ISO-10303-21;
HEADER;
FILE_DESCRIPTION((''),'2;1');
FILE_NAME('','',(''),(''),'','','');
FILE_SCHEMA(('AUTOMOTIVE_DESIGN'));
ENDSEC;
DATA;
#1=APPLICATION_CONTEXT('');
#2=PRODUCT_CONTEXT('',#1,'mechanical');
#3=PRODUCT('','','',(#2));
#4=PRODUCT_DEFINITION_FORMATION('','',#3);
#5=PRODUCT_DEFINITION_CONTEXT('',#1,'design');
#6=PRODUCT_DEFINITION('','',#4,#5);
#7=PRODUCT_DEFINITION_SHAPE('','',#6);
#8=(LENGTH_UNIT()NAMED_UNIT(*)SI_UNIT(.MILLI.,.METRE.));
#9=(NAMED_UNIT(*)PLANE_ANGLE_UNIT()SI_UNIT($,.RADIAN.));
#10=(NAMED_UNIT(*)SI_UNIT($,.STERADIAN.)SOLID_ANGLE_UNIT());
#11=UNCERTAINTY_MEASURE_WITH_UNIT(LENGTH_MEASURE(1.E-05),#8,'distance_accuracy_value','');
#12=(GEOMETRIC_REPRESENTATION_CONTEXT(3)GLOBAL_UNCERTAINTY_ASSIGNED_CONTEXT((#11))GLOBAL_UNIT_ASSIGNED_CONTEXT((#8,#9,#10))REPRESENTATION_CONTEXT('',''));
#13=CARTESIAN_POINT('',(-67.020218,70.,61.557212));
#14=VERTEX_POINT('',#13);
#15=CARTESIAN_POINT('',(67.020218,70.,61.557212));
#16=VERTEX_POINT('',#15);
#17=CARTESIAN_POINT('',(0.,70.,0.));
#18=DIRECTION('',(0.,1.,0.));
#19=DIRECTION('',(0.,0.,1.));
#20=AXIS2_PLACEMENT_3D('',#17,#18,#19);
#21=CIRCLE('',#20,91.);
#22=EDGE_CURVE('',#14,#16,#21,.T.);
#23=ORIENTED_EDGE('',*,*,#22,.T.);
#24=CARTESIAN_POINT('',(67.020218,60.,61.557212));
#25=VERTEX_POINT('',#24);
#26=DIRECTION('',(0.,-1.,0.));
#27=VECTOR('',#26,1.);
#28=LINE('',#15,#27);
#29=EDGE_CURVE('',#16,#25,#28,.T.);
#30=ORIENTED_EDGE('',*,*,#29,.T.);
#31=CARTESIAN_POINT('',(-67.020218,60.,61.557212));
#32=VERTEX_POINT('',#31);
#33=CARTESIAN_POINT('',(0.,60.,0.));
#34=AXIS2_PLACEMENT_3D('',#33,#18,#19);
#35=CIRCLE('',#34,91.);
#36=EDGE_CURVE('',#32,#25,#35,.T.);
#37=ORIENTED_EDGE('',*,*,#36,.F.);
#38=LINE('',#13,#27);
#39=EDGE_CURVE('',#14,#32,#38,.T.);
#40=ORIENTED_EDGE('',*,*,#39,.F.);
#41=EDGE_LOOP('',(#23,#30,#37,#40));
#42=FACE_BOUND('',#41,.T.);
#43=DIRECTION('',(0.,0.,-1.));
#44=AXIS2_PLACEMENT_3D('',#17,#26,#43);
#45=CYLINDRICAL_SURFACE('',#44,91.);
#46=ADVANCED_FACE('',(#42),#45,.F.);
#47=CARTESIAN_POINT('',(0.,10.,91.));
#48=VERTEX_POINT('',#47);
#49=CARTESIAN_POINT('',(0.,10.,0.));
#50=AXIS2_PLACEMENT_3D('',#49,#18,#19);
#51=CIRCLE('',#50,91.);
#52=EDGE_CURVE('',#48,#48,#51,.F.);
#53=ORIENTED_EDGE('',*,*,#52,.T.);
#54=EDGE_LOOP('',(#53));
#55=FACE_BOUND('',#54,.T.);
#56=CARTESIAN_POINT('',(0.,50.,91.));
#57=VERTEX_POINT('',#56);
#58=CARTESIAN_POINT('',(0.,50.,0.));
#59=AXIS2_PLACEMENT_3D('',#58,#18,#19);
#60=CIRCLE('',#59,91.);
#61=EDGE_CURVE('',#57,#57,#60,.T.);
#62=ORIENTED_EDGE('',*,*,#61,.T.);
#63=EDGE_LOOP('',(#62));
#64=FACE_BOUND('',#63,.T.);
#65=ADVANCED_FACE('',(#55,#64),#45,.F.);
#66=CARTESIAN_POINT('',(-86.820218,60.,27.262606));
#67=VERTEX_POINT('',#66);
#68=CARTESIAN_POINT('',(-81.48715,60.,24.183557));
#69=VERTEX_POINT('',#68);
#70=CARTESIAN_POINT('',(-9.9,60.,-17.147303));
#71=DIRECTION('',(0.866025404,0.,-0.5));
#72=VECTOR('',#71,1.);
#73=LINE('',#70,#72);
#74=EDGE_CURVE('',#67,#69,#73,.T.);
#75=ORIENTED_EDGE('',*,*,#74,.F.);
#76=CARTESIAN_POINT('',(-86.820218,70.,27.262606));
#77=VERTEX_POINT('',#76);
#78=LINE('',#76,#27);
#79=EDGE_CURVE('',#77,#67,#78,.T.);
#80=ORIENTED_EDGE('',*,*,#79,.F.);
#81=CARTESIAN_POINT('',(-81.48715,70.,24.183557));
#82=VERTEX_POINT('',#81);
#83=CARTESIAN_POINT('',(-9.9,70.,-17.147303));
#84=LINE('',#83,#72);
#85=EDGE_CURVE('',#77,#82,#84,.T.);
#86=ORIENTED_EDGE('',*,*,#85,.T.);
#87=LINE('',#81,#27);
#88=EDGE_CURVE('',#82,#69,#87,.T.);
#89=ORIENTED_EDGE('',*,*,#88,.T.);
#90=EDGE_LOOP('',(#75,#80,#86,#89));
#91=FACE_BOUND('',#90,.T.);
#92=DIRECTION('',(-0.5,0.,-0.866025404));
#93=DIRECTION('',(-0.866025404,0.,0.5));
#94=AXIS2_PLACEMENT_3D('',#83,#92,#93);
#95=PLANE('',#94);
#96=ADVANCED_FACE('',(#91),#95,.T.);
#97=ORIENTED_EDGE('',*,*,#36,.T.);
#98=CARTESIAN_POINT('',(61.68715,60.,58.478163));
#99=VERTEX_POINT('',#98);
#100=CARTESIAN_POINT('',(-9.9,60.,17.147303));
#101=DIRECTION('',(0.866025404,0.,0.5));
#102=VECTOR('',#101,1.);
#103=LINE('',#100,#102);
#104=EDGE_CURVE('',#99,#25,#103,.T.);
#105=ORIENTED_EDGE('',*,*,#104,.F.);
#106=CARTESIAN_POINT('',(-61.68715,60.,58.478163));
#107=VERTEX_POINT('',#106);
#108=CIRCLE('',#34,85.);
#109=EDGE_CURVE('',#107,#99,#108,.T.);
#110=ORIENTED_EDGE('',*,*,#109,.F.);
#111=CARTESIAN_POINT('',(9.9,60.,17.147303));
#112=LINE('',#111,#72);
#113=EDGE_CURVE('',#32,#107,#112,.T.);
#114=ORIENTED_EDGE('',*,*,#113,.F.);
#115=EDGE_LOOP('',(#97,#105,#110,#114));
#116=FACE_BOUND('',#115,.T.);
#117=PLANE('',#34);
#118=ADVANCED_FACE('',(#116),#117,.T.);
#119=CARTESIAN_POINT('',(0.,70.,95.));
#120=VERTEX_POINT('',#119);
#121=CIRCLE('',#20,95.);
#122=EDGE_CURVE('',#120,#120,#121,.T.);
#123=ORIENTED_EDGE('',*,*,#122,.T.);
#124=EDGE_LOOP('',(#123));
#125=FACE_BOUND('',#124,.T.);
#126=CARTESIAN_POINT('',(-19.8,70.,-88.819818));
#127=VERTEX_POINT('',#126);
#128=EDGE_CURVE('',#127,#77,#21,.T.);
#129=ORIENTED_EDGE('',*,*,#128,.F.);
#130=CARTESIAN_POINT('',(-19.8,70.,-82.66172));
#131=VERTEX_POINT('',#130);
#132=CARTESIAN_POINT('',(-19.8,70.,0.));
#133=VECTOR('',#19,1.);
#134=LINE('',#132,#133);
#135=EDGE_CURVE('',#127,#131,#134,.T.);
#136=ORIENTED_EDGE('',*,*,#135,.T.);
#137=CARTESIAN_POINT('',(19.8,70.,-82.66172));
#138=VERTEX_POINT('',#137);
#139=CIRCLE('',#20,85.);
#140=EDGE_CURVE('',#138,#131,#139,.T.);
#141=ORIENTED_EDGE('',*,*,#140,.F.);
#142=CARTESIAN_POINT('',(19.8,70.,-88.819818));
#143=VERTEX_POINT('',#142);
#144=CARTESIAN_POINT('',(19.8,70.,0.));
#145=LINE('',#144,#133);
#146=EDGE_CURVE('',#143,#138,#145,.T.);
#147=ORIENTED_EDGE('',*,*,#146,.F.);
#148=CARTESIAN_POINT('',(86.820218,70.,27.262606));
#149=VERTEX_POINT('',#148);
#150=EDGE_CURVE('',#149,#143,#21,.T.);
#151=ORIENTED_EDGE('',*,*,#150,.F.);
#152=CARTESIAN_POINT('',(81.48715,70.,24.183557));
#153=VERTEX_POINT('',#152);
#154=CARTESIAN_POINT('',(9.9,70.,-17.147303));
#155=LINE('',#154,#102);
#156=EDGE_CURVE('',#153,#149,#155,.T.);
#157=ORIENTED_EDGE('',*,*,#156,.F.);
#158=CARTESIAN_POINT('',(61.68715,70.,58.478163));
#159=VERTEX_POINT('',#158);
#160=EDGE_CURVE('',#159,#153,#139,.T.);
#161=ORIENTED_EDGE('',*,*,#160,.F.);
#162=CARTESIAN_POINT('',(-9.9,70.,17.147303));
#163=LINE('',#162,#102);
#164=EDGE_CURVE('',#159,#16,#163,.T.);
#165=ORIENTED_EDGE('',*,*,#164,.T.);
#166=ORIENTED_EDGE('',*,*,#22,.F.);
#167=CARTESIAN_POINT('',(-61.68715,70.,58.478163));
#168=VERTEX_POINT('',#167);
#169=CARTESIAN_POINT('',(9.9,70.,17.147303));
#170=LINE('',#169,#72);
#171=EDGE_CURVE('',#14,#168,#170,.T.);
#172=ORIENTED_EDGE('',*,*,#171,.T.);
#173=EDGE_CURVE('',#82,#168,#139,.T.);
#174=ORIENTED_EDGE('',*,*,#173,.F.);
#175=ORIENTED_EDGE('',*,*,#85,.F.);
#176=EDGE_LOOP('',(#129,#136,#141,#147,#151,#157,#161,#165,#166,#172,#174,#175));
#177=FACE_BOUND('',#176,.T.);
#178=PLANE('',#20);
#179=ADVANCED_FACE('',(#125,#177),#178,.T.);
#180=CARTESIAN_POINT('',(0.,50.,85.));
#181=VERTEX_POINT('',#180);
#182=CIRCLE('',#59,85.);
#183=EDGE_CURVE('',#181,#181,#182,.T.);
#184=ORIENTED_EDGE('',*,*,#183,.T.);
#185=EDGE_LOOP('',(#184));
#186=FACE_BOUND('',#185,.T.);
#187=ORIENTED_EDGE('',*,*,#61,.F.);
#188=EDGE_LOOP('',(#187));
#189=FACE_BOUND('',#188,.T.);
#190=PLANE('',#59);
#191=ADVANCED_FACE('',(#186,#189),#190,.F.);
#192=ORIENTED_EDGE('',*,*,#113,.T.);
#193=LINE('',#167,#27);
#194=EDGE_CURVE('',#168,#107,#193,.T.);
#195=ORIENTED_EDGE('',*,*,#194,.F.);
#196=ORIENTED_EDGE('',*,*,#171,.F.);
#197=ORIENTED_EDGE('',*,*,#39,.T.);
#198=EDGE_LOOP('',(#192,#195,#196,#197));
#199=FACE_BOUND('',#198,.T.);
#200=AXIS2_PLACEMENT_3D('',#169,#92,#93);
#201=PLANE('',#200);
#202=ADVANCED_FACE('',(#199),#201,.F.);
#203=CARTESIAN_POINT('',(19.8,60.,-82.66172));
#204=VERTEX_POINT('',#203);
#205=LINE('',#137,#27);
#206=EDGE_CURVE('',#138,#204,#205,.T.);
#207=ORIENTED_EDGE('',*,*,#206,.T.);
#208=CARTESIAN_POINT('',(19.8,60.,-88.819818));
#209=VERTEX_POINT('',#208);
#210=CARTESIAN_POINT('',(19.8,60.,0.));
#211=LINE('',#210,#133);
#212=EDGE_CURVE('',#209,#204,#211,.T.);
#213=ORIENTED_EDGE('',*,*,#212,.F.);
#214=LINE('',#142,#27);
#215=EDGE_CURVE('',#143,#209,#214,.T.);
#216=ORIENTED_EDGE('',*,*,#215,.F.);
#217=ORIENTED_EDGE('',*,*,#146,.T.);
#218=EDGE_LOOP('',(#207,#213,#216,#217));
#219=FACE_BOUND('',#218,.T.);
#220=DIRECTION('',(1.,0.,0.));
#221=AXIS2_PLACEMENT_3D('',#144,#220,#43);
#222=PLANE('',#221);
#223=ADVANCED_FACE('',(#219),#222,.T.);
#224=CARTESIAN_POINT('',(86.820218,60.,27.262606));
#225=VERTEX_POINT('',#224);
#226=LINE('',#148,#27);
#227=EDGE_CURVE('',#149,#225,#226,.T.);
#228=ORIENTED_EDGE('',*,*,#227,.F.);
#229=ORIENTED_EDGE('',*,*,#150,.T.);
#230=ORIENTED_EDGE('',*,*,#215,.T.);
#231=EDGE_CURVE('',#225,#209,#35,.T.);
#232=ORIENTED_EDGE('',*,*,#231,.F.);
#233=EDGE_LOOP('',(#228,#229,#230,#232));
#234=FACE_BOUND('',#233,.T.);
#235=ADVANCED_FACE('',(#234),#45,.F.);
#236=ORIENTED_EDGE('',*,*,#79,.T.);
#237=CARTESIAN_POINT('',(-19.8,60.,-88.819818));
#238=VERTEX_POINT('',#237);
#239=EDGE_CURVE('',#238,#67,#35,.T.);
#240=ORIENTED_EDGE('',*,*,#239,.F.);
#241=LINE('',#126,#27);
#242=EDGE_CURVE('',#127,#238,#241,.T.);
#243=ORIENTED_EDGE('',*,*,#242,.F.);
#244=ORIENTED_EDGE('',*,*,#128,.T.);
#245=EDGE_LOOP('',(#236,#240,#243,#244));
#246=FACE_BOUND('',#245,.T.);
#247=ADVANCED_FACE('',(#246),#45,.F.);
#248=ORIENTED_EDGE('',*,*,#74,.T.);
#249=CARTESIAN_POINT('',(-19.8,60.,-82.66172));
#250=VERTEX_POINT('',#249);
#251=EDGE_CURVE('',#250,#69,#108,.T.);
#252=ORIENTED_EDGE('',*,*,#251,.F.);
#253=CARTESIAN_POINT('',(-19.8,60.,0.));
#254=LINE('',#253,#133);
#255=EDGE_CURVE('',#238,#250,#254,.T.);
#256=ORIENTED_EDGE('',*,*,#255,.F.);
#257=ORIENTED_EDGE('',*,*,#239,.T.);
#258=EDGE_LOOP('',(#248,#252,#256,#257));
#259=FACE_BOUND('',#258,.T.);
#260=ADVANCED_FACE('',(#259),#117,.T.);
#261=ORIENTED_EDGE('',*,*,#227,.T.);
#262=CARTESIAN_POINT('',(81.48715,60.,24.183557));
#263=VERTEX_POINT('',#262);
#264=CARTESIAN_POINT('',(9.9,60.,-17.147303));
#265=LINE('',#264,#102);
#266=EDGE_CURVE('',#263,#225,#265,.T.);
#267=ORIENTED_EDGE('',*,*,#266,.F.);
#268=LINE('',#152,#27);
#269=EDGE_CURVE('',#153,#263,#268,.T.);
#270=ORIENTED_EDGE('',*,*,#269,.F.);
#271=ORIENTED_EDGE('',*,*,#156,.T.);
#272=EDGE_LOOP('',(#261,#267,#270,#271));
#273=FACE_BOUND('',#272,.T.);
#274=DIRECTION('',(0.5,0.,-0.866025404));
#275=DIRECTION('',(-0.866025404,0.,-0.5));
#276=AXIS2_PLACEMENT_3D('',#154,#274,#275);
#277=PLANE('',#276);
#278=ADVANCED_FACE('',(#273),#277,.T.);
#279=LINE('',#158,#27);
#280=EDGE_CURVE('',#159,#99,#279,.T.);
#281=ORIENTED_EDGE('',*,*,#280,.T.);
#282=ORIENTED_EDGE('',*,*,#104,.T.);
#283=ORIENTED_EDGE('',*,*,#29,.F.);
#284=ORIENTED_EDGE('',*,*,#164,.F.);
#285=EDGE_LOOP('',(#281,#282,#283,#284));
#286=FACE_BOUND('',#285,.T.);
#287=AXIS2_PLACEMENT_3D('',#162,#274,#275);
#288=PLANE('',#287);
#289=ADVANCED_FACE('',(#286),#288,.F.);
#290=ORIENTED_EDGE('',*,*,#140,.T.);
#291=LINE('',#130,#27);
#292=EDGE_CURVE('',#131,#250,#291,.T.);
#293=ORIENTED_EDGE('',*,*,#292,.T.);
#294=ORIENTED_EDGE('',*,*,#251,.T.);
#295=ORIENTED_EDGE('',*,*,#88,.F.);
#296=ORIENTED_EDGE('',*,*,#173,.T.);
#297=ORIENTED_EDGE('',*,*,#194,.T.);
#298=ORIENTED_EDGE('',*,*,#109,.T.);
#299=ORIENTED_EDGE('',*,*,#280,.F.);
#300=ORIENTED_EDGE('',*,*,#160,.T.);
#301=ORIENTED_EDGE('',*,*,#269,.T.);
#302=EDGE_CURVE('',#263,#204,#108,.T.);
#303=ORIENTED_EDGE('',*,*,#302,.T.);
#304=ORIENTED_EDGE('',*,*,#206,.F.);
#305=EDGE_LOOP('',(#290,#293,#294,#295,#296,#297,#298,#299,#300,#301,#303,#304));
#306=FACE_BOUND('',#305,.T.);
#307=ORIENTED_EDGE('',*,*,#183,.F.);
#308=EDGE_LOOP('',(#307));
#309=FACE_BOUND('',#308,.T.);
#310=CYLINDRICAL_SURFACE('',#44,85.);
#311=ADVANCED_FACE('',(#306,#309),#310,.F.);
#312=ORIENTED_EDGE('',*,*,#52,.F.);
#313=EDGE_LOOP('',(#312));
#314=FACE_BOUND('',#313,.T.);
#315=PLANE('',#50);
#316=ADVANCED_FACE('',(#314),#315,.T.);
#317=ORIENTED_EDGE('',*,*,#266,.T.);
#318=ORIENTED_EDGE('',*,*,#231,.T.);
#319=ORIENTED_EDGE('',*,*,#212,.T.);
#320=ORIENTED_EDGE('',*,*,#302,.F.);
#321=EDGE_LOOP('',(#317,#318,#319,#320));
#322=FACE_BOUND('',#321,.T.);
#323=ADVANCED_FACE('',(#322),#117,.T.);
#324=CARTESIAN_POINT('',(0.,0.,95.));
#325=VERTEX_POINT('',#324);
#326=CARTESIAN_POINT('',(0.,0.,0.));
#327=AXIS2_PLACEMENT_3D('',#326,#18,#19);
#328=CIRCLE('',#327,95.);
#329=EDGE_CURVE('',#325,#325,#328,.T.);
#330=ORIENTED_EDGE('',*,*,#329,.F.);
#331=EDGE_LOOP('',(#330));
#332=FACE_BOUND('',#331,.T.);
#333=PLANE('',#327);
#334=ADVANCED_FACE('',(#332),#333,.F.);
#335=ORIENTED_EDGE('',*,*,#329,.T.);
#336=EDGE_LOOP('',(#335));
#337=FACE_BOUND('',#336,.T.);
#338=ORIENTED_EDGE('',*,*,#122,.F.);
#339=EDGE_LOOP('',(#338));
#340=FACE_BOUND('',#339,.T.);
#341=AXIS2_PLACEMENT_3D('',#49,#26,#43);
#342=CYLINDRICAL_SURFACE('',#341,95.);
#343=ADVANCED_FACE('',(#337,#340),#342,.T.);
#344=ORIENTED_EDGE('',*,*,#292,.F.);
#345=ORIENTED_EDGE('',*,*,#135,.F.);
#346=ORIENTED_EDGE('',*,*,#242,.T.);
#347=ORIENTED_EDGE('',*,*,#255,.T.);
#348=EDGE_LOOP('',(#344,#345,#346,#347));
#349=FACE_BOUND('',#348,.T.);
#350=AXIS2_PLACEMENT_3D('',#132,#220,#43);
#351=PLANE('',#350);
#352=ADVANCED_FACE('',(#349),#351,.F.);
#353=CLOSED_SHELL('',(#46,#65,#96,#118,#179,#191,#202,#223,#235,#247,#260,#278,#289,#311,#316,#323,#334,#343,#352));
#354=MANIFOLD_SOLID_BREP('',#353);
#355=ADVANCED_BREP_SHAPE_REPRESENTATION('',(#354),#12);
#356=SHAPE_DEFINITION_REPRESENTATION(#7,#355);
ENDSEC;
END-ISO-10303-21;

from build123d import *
from build123d.topology import SkipClean

# Parameters (mm, degrees)
CROQUIS1_R               = 95
SALIENTE_EXTRUIR1_DEPTH  = 10
CROQUIS3_R               = 95
CROQUIS3_R_2             = 91
SALIENTE_EXTRUIR2_DEPTH  = 60
SALIENTE_EXTRUIR10_DEPTH = 10
SALIENTE_EXTRUIR15_START = -10
CROQUIS7_R               = 91
CROQUIS7_R_2             = 85
SALIENTE_EXTRUIR15_DEPTH = 10


with BuildPart() as part:
    # Croquis1 → Saliente-Extruir1 (new body)
    with BuildSketch(Plane(origin=(0, 0, 0), x_dir=(1, 0, 0), z_dir=(0, 1, 0))):
        with Locations(Location((0, 0, 0), (0, 0, 270))):
            Circle(CROQUIS1_R)
    extrude(amount=SALIENTE_EXTRUIR1_DEPTH)

    # Croquis3 → Saliente-Extruir2 (add)
    with BuildSketch(Plane(origin=(0, 10, 0), x_dir=(1, 0, 0), z_dir=(0, 1, 0))):
        with Locations(Location((0, 0, 0), (0, 0, 270))):
            Circle(CROQUIS3_R)
        with Locations(Location((0, 0, 0), (0, 0, 270))):
            Circle(CROQUIS3_R_2, mode=Mode.SUBTRACT)
    extrude(amount=SALIENTE_EXTRUIR2_DEPTH)

    # Croquis4 → Saliente-Extruir10 (add)
    with BuildSketch(Plane(origin=(0, 60, 0), x_dir=(1, 0, 0), z_dir=(0, 1, 0))):
        with BuildLine():
            Line((-81.487149685, -24.183557146), (-86.820218408, -27.262605809))
            ThreePointArc((-86.820218408, -27.262605809), (-78.808311744, -45.5), (-67.020218408, -61.557211799))
            Line((-67.020218408, -61.557211799), (-61.687149685, -58.478163136))
            ThreePointArc((-61.687149685, -58.478163136), (-73.612159322, -42.5), (-81.487149685, -24.183557146))
        make_face()
        with BuildLine():
            Line((61.687149685, -58.478163136), (67.020218408, -61.557211799))
            ThreePointArc((67.020218408, -61.557211799), (78.808311744, -45.5), (86.820218408, -27.262605809))
            Line((86.820218408, -27.262605809), (81.487149685, -24.183557146))
            ThreePointArc((81.487149685, -24.183557146), (73.612159322, -42.5), (61.687149685, -58.478163136))
        make_face()
        with BuildLine():
            ThreePointArc((19.8, 88.819817608), (0, 91), (-19.8, 88.819817608))
            Line((-19.8, 88.819817608), (-19.8, 82.661720282))
            ThreePointArc((-19.8, 82.661720282), (0, 85), (19.8, 82.661720282))
            Line((19.8, 82.661720282), (19.8, 88.819817608))
        make_face()
    extrude(amount=SALIENTE_EXTRUIR10_DEPTH)

    # Croquis7 → Saliente-Extruir15 (add)
    with SkipClean():  # the faces are left unmerged after this step: merging them gives an invalid solid
        with BuildSketch(Plane(origin=(0, 60, 0), x_dir=(1, 0, 0), z_dir=(0, 1, 0)).offset(SALIENTE_EXTRUIR15_START)):
            with Locations(Location((0, 0, 0), (0, 0, 270))):
                Circle(CROQUIS7_R)
            with Locations(Location((0, 0, 0), (0, 0, 103.470293186))):
                Circle(CROQUIS7_R_2, mode=Mode.SUBTRACT)
        extrude(amount=SALIENTE_EXTRUIR15_DEPTH)


solid = part.part
